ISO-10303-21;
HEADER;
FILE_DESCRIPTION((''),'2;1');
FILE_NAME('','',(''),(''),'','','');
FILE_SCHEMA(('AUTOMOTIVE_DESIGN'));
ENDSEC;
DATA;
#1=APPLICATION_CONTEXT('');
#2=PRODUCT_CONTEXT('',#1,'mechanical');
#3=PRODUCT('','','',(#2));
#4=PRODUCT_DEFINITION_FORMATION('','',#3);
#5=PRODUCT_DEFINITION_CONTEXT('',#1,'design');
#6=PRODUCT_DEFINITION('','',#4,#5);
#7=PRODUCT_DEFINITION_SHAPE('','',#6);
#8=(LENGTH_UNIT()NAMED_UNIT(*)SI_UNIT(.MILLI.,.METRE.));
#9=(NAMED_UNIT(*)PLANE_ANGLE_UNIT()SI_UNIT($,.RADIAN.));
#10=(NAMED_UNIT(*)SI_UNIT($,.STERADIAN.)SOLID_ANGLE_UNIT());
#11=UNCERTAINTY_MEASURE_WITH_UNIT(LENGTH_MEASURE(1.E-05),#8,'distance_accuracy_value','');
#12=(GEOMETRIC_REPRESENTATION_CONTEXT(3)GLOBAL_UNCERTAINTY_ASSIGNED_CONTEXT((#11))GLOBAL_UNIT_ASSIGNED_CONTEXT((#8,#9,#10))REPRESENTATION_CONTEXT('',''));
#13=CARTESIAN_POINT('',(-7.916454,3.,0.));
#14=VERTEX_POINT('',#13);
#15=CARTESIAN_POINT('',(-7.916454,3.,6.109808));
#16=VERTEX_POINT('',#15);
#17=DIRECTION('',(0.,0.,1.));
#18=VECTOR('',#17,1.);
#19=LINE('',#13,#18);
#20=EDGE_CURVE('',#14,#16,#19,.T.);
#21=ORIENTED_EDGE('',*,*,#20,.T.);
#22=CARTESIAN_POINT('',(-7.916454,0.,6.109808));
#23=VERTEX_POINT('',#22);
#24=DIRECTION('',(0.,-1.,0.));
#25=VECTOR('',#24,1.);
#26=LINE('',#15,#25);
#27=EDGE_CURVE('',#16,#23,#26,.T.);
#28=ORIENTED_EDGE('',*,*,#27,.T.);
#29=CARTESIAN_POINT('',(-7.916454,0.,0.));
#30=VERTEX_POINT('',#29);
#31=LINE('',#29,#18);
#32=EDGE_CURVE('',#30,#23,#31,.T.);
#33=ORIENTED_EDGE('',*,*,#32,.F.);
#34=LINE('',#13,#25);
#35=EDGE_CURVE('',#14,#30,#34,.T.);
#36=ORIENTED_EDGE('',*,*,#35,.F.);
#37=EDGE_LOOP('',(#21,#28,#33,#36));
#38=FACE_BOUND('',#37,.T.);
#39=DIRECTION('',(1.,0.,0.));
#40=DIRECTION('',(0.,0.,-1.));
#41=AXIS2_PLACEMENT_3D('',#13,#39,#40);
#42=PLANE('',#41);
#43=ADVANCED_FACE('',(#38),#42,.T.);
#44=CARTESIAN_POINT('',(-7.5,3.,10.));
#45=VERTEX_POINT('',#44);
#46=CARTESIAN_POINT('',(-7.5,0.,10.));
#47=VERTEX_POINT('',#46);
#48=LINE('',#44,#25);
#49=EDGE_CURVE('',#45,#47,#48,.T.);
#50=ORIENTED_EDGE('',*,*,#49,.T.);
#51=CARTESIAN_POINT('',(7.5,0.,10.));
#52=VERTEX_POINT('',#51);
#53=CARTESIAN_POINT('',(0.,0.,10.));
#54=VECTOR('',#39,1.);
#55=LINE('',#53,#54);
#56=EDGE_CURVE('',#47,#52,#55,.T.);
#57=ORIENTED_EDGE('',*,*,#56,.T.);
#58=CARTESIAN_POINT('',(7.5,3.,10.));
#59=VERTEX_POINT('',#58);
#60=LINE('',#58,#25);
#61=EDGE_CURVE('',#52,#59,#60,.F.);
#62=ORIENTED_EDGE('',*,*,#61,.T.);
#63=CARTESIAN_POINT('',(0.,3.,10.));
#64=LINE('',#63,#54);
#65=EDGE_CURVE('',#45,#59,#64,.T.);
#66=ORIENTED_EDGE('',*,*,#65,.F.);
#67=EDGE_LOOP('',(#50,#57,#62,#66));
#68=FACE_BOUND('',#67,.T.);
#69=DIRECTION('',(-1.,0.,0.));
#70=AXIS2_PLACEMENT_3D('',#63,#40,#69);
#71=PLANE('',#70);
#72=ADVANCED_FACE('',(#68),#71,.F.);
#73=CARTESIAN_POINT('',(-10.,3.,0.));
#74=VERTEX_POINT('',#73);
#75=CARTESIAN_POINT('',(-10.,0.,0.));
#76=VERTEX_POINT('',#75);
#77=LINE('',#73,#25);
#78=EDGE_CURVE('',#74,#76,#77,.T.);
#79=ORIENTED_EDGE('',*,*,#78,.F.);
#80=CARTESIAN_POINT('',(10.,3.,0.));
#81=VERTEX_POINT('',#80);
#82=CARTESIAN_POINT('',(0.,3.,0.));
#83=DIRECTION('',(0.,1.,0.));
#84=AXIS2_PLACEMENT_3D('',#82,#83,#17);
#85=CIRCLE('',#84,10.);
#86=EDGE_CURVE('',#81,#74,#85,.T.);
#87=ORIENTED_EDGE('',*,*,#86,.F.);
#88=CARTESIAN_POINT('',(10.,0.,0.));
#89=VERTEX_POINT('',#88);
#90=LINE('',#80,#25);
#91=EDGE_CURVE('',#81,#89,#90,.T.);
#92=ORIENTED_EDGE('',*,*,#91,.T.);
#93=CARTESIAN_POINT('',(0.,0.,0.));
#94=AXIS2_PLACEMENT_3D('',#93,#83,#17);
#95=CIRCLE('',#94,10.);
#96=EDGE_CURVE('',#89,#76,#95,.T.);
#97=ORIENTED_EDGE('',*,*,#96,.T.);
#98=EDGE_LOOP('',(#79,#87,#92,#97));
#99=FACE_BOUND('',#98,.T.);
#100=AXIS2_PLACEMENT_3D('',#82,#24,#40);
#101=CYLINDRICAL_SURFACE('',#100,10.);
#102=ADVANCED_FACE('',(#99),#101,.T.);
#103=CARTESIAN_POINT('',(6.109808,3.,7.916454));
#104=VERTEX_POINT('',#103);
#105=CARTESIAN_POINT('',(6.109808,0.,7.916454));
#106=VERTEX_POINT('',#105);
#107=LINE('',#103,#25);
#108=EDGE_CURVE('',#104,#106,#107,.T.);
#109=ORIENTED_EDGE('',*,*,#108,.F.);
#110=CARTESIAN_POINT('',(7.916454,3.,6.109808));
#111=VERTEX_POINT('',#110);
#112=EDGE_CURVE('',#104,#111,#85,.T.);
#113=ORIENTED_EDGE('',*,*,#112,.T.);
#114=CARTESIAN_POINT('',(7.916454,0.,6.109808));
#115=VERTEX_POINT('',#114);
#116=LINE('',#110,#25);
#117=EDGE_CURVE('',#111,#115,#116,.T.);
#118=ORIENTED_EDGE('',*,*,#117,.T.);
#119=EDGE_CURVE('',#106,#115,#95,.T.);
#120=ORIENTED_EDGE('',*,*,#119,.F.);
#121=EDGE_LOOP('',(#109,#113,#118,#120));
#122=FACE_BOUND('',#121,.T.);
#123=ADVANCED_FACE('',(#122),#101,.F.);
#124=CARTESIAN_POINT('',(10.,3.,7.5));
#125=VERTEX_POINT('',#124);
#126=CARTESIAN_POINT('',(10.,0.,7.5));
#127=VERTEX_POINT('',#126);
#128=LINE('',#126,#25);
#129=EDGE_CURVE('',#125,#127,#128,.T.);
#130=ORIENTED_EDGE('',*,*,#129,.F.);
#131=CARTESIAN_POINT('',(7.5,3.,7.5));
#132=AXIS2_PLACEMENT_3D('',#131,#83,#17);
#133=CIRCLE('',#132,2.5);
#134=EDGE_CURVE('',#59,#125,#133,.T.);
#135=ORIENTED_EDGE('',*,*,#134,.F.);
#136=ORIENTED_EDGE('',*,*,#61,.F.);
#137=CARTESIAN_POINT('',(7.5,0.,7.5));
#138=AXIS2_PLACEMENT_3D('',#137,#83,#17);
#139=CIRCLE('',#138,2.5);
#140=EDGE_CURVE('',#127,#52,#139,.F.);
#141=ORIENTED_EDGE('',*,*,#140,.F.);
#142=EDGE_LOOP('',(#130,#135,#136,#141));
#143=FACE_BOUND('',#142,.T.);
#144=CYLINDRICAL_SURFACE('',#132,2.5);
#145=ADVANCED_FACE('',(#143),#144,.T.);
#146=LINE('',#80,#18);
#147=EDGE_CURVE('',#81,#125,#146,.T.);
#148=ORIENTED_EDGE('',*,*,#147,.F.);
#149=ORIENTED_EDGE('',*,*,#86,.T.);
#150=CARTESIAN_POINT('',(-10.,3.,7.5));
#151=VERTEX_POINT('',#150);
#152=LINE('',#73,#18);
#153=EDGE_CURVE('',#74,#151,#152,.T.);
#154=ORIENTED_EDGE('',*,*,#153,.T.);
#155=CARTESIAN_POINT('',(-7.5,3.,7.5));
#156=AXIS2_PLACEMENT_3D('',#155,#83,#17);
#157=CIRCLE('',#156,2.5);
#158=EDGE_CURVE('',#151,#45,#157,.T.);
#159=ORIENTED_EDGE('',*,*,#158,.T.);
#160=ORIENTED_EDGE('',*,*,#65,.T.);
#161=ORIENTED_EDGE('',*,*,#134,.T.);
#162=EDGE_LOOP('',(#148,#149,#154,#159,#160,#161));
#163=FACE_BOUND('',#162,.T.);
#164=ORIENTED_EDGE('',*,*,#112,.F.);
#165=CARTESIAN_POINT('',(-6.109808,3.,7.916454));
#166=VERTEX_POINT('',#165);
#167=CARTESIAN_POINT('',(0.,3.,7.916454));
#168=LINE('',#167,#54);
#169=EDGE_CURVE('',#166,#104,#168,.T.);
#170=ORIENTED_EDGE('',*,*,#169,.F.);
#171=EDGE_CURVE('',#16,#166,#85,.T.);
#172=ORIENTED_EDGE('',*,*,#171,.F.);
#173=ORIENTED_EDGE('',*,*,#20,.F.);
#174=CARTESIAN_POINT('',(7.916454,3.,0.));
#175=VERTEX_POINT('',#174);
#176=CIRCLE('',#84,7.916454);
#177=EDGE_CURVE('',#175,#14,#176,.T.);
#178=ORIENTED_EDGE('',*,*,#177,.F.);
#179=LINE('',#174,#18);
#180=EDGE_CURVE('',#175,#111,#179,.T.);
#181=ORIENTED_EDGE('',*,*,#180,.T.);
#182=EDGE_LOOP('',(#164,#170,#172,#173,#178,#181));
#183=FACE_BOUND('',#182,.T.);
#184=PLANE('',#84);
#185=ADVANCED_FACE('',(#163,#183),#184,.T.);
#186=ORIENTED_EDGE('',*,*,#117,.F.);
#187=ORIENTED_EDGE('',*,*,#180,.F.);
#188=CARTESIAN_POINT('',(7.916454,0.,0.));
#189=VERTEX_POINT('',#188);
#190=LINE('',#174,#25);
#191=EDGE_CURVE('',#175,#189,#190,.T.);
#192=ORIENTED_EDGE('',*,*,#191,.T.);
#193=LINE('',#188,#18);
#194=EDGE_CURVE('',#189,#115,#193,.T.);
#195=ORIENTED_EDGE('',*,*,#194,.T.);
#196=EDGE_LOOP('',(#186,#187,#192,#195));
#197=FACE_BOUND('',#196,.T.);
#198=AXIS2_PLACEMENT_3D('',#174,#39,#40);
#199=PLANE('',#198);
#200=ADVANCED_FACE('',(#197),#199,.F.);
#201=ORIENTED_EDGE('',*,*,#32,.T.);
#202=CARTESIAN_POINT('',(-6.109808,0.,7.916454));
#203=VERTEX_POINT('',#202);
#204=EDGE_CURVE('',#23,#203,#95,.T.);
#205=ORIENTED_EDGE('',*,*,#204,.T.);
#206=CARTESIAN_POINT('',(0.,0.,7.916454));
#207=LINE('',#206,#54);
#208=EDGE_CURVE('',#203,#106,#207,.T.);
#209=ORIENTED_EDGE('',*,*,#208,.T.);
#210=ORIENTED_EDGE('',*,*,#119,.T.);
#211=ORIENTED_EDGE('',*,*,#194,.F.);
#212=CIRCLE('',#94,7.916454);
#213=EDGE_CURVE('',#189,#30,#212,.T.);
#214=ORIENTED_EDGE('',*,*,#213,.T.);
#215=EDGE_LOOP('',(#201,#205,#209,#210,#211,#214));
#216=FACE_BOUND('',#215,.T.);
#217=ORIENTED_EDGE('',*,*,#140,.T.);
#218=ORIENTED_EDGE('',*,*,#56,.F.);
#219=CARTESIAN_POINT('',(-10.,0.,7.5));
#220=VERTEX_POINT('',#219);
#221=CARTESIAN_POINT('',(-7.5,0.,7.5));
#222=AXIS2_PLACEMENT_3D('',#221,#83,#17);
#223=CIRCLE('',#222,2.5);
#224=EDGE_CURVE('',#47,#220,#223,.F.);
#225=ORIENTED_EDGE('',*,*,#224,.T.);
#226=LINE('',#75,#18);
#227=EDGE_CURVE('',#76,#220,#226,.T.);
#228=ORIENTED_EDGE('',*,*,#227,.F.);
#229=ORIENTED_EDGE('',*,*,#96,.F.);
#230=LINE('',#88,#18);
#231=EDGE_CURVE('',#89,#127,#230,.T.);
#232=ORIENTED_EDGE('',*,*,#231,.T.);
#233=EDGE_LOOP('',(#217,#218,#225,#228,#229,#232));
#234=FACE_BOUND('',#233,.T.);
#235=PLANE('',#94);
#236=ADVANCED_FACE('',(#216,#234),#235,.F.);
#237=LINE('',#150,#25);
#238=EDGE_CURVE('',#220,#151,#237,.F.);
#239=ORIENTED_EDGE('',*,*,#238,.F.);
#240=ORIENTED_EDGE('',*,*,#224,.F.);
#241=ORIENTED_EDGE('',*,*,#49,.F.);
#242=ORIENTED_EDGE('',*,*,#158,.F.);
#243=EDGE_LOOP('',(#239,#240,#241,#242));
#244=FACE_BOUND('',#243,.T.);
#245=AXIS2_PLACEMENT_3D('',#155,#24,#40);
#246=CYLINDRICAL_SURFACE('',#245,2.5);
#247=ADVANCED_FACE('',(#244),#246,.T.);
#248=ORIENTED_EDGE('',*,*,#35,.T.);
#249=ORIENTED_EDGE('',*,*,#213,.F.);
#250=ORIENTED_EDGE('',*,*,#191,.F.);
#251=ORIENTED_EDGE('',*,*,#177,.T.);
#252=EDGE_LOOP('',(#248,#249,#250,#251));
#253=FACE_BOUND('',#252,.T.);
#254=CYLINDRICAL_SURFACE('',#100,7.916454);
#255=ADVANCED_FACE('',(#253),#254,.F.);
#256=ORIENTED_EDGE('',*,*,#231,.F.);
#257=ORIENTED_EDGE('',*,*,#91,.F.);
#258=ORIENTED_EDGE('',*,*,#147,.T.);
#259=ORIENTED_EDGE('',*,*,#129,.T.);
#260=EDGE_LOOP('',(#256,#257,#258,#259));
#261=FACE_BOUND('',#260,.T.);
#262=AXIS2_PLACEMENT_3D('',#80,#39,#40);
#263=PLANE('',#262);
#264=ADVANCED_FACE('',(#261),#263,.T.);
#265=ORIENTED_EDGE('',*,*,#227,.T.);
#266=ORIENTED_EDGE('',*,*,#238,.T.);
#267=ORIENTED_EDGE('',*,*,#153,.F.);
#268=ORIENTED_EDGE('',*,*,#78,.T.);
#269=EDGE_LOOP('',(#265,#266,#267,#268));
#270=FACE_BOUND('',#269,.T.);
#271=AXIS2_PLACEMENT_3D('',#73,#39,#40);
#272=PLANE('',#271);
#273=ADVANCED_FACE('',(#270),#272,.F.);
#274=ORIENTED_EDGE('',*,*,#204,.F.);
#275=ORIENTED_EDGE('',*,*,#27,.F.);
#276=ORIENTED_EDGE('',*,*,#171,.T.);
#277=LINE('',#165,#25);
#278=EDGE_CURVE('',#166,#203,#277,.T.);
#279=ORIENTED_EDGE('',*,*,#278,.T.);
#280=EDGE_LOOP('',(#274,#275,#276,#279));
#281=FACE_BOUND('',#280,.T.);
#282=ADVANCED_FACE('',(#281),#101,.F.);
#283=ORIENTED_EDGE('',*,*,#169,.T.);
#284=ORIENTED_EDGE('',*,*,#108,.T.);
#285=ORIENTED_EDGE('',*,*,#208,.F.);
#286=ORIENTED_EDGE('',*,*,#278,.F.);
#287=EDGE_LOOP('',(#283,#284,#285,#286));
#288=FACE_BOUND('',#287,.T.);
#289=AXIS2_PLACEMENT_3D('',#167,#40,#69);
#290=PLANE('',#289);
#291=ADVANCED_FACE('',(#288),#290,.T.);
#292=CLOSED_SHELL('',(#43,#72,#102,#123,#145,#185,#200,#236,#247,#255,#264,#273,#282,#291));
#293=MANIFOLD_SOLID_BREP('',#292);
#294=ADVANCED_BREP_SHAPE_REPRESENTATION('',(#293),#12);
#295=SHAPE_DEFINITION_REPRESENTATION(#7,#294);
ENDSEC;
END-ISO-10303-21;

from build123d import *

# Parameters (mm, degrees)
BOSS_EXTRUDE1_DEPTH = 3
FILLET1_R           = 2.5


with BuildPart() as part:
    # Sketch1 → Boss-Extrude1 (new body)
    with BuildSketch(Plane(origin=(0, 0, 0), x_dir=(1, 0, 0), z_dir=(0, 1, 0))):
        with BuildLine():
            Line((-10, 0), (-7.916454192, 0))
            ThreePointArc((-7.916454192, 0), (0, 7.916454192), (7.916454192, 0))
            Line((7.916454192, 0), (10, 0))
            ThreePointArc((10, 0), (0, 10), (-10, 0))
        make_face()
        with BuildLine():
            Line((-7.916454192, -5.916454192), (-7.916454192, 0))
            Line((-7.916454192, 0), (-10, 0))
            ThreePointArc((-10, 0), (-9.464791121, -3.2276507), (-7.916454192, -6.109807936))
            Line((-7.916454192, -6.109807936), (-7.916454192, -5.916454192))
        make_face()
        with BuildLine():
            ThreePointArc((-7.916454192, -6.109807936), (-9.464791121, -3.2276507), (-10, 0))
            Line((-10, 0), (-10, -10))
            Line((-10, -10), (0, -10))
            ThreePointArc((0, -10), (-3.2276507, -9.464791121), (-6.109807936, -7.916454192))
            Line((-6.109807936, -7.916454192), (-7.916454192, -7.916454192))
            Line((-7.916454192, -7.916454192), (-7.916454192, -6.109807936))
        make_face()
        with BuildLine():
            Line((5.916454192, -7.916454192), (0, -7.916454192))
            Line((0, -7.916454192), (-5.916454192, -7.916454192))
            Line((-5.916454192, -7.916454192), (-6.109807936, -7.916454192))
            ThreePointArc((-6.109807936, -7.916454192), (-3.2276507, -9.464791121), (0, -10))
            ThreePointArc((0, -10), (3.2276507, -9.464791121), (6.109807936, -7.916454192))
            Line((6.109807936, -7.916454192), (5.916454192, -7.916454192))
        make_face()
        with BuildLine():
            Line((10, -10), (10, 0))
            ThreePointArc((10, 0), (9.464791121, -3.2276507), (7.916454192, -6.109807936))
            Line((7.916454192, -6.109807936), (7.916454192, -7.916454192))
            Line((7.916454192, -7.916454192), (6.109807936, -7.916454192))
            ThreePointArc((6.109807936, -7.916454192), (3.2276507, -9.464791121), (0, -10))
            Line((0, -10), (10, -10))
        make_face()
        with BuildLine():
            Line((10, 0), (7.916454192, 0))
            Line((7.916454192, 0), (7.916454192, -5.916454192))
            Line((7.916454192, -5.916454192), (7.916454192, -6.109807936))
            ThreePointArc((7.916454192, -6.109807936), (9.464791121, -3.2276507), (10, 0))
        make_face()
        with BuildLine():
            Line((7.916454192, -7.916454192), (7.916454192, -6.109807936))
            ThreePointArc((7.916454192, -6.109807936), (7.071067812, -7.071067812), (6.109807936, -7.916454192))
            Line((6.109807936, -7.916454192), (7.916454192, -7.916454192))
        make_face()
        with BuildLine():
            ThreePointArc((-6.109807936, -7.916454192), (-7.071067812, -7.071067812), (-7.916454192, -6.109807936))
            Line((-7.916454192, -6.109807936), (-7.916454192, -7.916454192))
            Line((-7.916454192, -7.916454192), (-6.109807936, -7.916454192))
        make_face()
    extrude(amount=BOSS_EXTRUDE1_DEPTH)

    # Fillet1
    fillet1_edges = [part.edges().sort_by_distance(p)[0] for p in [
        (-10, 1.5, 10),
        (10, 1.5, 10),
    ]]
    fillet(fillet1_edges, radius=FILLET1_R)


solid = part.part
